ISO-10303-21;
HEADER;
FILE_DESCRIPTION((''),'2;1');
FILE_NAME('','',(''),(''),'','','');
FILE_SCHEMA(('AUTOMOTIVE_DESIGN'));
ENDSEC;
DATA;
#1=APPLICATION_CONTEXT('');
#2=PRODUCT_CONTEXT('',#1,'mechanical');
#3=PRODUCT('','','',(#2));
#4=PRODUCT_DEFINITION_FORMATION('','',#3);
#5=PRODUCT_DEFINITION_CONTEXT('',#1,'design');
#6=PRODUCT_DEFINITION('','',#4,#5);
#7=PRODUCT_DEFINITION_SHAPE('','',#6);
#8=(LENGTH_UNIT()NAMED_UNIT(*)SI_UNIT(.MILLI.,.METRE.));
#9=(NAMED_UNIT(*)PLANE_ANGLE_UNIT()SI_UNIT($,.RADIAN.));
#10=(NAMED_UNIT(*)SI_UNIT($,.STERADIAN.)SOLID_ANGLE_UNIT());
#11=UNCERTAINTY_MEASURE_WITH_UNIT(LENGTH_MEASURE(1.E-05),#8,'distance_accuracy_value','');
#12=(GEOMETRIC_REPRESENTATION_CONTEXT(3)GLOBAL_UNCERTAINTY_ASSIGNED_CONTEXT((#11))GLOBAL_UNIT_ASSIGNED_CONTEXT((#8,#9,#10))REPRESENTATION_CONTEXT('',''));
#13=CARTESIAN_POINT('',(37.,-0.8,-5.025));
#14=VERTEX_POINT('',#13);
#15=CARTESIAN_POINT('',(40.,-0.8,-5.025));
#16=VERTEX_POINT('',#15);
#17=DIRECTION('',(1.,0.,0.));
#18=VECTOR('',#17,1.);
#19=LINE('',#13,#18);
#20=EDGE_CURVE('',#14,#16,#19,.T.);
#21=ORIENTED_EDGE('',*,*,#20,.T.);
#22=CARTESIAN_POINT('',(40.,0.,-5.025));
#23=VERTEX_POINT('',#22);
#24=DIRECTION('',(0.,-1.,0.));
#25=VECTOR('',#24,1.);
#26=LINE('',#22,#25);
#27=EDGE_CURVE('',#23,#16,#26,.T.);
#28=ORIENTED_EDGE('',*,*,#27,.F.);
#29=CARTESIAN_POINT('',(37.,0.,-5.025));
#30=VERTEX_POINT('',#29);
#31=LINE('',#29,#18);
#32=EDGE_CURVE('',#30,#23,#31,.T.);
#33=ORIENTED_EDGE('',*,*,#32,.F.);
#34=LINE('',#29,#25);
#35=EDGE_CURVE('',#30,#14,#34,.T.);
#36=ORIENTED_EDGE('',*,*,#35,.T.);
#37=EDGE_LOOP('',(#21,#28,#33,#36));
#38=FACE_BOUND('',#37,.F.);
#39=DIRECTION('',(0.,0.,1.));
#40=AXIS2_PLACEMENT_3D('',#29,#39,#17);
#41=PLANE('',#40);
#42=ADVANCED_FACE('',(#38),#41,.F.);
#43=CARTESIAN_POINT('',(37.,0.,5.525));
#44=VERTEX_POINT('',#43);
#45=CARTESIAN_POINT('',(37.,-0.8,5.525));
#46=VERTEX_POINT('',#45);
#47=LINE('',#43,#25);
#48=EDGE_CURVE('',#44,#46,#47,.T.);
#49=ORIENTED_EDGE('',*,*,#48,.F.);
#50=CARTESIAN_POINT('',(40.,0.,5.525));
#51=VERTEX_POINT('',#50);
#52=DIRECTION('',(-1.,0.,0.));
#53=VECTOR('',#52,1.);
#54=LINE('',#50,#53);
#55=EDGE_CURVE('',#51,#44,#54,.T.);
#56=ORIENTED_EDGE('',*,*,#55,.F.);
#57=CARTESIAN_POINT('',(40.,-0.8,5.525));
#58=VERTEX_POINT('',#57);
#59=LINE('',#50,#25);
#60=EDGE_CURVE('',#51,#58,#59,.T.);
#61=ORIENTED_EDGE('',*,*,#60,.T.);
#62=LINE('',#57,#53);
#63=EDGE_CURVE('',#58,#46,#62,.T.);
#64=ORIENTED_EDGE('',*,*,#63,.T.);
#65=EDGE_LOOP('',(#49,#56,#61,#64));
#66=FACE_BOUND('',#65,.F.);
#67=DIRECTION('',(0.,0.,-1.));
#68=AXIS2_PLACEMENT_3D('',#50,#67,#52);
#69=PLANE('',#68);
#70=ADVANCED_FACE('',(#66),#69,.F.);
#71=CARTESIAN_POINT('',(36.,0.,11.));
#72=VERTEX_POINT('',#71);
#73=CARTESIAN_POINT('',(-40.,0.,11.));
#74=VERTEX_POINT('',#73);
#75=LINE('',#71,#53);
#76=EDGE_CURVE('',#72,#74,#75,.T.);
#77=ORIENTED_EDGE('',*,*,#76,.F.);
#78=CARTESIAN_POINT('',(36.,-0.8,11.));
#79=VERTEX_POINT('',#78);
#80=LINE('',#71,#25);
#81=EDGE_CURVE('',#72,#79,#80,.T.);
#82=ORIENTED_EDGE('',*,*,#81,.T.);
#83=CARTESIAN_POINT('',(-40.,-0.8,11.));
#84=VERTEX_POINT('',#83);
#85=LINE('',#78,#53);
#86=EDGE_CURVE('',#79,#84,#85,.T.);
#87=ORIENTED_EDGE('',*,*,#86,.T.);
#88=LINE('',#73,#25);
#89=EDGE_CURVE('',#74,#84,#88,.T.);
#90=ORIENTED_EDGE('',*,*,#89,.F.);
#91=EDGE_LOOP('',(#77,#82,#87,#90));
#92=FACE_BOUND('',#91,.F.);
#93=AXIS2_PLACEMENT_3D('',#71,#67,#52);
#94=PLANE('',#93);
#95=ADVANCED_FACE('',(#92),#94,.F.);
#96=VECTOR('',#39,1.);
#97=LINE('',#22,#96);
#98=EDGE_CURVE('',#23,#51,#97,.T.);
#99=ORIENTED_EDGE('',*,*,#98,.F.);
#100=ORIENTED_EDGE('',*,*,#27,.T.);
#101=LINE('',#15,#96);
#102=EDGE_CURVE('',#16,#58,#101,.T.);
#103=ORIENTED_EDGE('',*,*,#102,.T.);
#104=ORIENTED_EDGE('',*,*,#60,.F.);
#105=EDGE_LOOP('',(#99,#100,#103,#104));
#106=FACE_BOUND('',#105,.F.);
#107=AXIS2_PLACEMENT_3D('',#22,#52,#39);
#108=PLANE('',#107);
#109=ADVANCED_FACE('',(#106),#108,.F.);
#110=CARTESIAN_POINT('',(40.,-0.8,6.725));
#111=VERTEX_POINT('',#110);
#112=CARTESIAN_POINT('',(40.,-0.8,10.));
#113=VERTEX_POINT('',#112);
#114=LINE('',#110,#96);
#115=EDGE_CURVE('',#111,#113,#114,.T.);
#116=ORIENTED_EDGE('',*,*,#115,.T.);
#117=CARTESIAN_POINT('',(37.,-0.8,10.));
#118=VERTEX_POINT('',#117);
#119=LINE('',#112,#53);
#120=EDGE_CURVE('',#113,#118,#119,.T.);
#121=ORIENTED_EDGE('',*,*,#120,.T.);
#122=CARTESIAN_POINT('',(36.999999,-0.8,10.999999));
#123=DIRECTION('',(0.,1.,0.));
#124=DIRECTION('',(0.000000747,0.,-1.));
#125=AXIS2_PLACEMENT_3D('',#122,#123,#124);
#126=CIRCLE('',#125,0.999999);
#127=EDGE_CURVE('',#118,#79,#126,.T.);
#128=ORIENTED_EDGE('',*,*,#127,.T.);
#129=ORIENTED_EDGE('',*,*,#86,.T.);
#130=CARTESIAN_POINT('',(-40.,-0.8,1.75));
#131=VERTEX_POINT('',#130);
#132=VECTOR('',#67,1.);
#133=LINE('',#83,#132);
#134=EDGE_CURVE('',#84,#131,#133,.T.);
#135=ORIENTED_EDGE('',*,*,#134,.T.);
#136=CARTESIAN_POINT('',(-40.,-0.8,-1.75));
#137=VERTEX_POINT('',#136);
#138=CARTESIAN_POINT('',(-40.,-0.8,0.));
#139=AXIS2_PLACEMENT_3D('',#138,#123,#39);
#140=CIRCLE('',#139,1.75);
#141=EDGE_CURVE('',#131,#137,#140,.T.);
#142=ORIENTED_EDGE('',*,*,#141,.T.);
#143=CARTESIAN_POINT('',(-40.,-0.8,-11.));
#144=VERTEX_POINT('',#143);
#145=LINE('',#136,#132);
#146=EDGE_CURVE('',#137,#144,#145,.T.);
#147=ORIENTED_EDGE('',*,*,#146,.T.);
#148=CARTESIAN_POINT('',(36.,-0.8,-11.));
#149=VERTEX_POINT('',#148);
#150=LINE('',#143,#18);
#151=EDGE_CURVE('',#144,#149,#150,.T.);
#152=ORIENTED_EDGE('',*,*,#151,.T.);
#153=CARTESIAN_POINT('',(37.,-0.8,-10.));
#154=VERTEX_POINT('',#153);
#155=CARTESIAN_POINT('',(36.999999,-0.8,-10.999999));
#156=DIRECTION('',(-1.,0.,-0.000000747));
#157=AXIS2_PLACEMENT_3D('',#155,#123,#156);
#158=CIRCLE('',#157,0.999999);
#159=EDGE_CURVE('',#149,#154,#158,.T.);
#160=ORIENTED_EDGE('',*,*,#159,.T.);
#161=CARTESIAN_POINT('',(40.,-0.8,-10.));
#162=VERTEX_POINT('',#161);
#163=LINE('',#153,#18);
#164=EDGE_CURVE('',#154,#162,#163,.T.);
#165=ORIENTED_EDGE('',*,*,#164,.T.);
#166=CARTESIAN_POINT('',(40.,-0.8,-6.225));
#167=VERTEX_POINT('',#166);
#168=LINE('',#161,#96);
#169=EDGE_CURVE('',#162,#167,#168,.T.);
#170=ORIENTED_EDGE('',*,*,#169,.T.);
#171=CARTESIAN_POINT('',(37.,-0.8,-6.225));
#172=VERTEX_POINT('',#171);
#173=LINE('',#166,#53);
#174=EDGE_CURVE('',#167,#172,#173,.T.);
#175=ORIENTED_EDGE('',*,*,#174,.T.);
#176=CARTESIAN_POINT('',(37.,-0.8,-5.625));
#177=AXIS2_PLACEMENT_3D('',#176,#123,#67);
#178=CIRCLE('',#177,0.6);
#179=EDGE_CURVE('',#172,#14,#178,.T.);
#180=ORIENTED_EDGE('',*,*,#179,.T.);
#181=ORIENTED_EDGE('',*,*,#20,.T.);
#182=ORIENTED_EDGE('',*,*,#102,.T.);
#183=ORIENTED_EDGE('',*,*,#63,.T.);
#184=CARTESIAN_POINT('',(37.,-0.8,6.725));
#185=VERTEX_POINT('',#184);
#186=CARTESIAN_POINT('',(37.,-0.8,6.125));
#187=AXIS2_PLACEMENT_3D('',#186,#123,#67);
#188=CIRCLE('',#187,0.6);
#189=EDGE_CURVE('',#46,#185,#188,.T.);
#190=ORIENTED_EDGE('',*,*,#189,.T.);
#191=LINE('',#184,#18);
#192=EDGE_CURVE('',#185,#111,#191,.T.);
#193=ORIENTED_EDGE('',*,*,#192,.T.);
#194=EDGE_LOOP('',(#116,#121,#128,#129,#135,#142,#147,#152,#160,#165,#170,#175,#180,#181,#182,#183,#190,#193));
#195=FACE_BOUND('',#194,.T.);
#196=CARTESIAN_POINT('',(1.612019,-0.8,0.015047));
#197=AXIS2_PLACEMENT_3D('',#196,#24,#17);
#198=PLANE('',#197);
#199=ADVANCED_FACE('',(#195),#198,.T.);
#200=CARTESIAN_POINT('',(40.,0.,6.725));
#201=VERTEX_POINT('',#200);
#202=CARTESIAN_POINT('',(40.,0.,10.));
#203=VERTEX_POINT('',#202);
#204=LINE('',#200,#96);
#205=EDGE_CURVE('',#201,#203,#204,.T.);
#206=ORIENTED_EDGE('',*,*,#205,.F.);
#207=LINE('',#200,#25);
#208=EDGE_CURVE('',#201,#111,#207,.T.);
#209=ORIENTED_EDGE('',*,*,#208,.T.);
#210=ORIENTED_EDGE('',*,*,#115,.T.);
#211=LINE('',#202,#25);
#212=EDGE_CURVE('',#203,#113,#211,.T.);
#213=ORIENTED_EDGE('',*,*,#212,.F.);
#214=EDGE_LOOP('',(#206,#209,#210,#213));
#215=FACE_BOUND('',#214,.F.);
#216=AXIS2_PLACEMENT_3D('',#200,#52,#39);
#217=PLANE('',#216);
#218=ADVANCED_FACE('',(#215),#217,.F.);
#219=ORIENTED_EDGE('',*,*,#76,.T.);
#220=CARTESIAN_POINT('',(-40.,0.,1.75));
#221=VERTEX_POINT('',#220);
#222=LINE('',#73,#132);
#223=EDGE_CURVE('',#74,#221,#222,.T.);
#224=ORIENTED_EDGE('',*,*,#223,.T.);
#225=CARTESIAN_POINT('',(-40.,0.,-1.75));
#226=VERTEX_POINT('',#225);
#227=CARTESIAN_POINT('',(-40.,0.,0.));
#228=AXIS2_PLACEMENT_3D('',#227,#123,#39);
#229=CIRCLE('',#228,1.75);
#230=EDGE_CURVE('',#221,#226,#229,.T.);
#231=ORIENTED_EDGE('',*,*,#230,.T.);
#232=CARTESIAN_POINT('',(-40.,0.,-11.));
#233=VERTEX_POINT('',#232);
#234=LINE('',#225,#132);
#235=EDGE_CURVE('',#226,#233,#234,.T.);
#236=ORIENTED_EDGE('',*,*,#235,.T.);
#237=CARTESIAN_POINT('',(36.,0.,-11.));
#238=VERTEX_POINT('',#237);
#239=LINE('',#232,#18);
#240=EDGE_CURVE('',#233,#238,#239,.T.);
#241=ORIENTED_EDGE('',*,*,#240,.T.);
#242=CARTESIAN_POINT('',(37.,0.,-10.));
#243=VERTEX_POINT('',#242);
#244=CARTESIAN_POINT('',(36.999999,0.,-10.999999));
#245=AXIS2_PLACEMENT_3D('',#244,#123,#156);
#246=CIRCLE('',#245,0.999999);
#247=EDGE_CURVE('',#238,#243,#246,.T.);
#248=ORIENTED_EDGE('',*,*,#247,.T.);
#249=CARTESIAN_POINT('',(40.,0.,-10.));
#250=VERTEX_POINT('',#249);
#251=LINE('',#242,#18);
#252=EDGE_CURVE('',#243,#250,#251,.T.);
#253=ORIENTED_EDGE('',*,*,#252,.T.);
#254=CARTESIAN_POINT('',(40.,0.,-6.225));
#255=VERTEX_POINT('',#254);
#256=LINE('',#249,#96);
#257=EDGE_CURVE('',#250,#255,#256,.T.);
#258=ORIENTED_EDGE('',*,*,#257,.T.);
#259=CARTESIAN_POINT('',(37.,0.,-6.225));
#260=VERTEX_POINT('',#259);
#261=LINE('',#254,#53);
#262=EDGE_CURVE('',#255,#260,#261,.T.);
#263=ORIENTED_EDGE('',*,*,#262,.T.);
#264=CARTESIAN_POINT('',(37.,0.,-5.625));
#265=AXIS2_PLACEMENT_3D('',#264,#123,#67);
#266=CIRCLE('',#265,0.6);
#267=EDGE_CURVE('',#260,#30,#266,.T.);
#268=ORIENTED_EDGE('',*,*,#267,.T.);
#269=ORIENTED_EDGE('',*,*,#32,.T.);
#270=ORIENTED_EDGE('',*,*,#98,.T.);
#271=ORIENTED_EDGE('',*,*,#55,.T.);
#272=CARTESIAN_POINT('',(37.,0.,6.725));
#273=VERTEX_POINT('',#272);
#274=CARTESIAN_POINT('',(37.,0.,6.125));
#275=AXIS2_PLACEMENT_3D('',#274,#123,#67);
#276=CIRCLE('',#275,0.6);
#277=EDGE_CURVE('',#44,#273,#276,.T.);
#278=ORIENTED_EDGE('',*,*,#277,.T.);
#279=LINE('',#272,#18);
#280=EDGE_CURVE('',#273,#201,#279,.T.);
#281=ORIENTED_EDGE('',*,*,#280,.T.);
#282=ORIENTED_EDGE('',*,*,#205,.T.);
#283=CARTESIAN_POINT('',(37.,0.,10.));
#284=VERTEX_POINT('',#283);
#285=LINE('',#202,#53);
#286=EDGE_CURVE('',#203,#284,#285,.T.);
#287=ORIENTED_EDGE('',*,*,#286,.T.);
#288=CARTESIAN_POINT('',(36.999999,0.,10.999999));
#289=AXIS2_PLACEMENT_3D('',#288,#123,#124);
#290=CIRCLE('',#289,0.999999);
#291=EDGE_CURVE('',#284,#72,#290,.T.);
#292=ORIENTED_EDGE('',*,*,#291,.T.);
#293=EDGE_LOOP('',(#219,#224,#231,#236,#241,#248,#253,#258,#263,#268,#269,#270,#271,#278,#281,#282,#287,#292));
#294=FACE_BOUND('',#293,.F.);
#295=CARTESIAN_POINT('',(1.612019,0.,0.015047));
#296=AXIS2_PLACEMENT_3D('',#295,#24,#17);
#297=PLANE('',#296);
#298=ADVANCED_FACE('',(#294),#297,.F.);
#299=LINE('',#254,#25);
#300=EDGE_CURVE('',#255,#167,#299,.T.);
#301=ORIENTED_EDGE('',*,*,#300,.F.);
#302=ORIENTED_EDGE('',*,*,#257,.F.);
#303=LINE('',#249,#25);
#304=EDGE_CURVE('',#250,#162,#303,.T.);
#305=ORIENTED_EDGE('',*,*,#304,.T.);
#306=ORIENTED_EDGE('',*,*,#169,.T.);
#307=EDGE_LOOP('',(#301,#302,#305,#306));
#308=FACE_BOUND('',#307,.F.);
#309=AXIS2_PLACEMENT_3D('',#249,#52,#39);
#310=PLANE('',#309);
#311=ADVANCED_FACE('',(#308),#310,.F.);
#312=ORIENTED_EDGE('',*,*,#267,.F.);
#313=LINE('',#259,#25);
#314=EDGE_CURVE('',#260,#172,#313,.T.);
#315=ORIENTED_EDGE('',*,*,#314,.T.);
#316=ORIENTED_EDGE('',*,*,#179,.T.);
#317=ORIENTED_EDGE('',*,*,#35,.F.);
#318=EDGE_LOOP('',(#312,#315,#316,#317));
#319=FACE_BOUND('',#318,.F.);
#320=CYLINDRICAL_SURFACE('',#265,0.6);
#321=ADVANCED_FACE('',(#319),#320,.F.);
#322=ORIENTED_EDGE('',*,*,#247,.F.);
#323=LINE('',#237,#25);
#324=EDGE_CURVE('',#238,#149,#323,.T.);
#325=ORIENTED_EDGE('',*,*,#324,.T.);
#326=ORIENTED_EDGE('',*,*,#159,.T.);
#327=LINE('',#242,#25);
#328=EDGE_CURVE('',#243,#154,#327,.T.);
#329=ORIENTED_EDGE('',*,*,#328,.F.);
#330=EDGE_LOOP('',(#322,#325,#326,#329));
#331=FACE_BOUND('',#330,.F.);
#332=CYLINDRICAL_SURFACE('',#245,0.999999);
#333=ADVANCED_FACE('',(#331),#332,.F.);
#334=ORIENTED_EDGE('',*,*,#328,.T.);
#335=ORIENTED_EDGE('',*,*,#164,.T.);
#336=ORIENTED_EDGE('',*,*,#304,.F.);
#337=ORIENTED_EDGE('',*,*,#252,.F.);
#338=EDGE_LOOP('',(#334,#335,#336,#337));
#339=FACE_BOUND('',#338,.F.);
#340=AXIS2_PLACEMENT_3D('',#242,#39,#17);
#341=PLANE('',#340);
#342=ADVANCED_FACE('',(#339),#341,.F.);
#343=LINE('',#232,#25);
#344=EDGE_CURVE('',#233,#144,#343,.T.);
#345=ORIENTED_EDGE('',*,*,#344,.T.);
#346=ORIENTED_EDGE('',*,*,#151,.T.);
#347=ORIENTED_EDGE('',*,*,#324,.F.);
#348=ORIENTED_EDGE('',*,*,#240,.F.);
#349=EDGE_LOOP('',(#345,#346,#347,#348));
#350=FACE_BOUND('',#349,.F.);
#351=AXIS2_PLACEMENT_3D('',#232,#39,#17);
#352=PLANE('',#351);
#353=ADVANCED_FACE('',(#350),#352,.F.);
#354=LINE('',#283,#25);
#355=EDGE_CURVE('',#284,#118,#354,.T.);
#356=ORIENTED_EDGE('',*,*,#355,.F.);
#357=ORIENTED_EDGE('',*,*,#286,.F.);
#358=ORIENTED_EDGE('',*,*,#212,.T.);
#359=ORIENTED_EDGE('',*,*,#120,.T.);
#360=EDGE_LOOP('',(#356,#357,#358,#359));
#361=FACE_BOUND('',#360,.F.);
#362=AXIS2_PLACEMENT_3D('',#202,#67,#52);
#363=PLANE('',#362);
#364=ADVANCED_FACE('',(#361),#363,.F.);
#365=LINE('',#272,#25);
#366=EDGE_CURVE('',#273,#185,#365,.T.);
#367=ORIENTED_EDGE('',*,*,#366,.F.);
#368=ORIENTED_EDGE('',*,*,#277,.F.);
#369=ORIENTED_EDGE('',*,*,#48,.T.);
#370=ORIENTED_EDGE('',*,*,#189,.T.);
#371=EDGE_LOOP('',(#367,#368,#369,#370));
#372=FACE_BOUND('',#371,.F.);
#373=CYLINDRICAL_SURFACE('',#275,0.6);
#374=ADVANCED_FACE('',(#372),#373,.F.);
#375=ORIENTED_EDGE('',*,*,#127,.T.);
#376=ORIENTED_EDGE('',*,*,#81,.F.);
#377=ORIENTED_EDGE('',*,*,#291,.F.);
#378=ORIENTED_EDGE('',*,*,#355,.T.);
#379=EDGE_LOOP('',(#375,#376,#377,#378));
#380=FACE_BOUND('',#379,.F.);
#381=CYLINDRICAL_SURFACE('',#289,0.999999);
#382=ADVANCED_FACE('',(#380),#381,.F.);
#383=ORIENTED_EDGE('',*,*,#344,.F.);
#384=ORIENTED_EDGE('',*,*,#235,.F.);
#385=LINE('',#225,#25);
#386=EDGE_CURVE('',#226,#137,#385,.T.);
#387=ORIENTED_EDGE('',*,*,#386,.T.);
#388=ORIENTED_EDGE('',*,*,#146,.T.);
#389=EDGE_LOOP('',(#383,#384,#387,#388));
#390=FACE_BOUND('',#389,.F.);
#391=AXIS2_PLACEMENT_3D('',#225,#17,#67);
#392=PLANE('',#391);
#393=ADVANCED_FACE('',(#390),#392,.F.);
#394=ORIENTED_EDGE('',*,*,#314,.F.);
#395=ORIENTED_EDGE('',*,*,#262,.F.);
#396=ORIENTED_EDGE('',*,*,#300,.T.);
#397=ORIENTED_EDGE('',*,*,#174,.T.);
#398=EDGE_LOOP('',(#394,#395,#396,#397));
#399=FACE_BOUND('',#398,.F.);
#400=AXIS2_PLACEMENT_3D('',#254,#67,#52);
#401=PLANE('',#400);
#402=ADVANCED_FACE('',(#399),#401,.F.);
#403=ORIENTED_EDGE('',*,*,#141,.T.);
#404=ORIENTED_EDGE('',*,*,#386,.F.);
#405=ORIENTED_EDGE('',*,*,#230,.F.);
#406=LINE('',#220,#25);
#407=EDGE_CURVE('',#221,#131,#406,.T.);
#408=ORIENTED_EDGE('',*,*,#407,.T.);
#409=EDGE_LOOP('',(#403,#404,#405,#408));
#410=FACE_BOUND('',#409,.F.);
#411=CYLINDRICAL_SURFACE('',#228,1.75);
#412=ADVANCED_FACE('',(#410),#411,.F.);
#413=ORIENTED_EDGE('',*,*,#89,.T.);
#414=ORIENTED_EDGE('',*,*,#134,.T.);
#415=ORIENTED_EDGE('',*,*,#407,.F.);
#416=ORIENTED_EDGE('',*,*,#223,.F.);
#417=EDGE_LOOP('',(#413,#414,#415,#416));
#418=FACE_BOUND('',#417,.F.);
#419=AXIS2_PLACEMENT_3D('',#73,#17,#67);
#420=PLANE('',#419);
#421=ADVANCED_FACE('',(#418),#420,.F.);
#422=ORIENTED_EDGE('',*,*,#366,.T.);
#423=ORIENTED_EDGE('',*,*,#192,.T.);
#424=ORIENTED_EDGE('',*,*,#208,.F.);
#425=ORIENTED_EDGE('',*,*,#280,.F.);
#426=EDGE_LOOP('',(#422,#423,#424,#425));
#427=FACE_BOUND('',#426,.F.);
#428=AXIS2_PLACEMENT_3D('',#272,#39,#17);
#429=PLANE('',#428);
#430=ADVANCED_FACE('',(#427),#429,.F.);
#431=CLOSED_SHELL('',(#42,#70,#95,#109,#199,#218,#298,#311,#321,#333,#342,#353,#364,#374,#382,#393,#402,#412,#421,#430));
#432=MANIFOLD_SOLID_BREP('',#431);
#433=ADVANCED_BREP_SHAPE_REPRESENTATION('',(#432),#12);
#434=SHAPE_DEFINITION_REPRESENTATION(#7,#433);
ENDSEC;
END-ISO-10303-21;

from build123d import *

# Parameters (mm, degrees)
F1_DEPTH = 0.8


with BuildPart() as f1:
    # F0 (on Front) → F1 (new body)
    with BuildSketch(Plane.XZ):
        with BuildLine():
            Line((37, -10), (40, -10))
            Line((40, -10), (40, -6.225))
            Line((40, -6.225), (37, -6.225))
            ThreePointArc((37, -6.225), (36.4, -5.625), (37, -5.025))
            Line((37, -5.025), (40, -5.025))
            Line((40, -5.025), (40, 5.525))
            Line((40, 5.525), (37, 5.525))
            ThreePointArc((37, 5.525), (36.4, 6.125), (37, 6.725))
            Line((37, 6.725), (40, 6.725))
            Line((40, 6.725), (40, 10))
            Line((40, 10), (37, 10))
            ThreePointArc((37, 10), (36.292893, 10.292893), (36, 11))
            Line((36, 11), (-40, 11))
            Line((-40, 11), (-40, 3))
            ThreePointArc((-40, 3), (-37, 0), (-40, -3))
            Line((-40, -3), (-40, -11))
            Line((-40, -11), (36, -11))
            ThreePointArc((36, -11), (36.292893, -10.292893), (37, -10))
        make_face()
        with BuildLine():
            Line((-40, -1.75), (-40, -3))
            ThreePointArc((-40, -3), (-37, 0), (-40, 3))
            Line((-40, 3), (-40, 1.75))
            ThreePointArc((-40, 1.75), (-38.25, 0), (-40, -1.75))
        make_face()
    extrude(amount=F1_DEPTH)


solid = f1.part
